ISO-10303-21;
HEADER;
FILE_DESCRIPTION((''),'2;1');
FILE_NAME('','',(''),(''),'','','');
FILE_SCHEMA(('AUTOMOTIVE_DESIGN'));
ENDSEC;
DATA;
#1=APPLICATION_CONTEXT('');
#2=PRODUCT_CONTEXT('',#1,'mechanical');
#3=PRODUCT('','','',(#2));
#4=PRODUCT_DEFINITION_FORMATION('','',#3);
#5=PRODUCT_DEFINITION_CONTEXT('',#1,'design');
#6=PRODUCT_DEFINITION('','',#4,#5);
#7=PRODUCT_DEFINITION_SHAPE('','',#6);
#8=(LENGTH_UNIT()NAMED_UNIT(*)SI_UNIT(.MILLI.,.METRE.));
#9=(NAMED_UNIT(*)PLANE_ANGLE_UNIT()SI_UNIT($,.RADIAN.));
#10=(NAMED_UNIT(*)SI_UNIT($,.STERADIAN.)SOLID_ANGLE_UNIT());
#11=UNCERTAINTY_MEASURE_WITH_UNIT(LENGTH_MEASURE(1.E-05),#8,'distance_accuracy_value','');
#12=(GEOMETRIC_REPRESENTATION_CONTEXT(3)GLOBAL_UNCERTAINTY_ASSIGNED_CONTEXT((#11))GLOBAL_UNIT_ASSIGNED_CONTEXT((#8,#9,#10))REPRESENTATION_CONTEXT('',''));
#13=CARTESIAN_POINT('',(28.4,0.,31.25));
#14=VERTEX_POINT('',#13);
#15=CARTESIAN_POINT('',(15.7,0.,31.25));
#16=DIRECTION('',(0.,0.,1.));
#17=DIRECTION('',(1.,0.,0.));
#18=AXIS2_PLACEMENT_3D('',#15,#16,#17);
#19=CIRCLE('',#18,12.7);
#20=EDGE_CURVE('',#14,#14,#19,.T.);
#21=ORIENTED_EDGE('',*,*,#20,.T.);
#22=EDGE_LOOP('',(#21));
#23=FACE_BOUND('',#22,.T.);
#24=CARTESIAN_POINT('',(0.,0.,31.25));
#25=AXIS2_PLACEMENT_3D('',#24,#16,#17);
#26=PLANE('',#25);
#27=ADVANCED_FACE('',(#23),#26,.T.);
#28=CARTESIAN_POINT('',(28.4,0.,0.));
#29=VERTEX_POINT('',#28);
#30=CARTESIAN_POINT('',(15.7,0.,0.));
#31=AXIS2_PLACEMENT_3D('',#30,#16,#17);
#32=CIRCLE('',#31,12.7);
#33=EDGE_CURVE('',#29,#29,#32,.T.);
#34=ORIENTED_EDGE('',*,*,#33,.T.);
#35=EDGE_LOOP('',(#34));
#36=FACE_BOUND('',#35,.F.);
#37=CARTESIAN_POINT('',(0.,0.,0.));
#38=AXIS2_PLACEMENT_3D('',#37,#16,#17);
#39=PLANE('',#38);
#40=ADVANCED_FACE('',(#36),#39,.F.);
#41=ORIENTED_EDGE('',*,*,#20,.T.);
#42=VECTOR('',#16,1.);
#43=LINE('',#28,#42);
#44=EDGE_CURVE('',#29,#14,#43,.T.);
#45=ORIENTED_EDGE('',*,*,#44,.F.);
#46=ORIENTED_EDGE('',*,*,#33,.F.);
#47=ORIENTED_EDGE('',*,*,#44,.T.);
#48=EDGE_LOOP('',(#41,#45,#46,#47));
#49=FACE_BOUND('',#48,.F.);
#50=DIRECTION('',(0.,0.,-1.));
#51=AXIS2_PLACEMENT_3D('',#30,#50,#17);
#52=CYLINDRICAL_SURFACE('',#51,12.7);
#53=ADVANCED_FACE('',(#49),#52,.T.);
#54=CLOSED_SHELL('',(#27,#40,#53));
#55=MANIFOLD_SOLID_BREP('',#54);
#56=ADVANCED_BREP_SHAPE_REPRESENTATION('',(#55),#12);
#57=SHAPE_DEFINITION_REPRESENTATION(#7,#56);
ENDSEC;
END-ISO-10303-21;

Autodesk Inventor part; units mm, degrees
ref_plane "YZ Plane" through (0, 0, 0) normal (1, 0, 0) x (0, 1, 0)
ref_plane "XZ Plane" through (0, 0, 0) normal (0, 1, 0) x (-1, 0, 0)
ref_plane "XY Plane" through (0, 0, 0) normal (0, 0, 1) x (1, 0, 0)
sketch "Sketch1" plane through (0, 0, 0) normal (0, 0, 1) x (1, 0, 0)
  circle A0 centre (15.7, 0) radius 12.7 projected
  point P0 (0, 0)
  dimension "d0" = 31.25
extrude "Extrusion1" add sketch "Sketch1" along normal blind 31.25
properties part number "Shaft"
